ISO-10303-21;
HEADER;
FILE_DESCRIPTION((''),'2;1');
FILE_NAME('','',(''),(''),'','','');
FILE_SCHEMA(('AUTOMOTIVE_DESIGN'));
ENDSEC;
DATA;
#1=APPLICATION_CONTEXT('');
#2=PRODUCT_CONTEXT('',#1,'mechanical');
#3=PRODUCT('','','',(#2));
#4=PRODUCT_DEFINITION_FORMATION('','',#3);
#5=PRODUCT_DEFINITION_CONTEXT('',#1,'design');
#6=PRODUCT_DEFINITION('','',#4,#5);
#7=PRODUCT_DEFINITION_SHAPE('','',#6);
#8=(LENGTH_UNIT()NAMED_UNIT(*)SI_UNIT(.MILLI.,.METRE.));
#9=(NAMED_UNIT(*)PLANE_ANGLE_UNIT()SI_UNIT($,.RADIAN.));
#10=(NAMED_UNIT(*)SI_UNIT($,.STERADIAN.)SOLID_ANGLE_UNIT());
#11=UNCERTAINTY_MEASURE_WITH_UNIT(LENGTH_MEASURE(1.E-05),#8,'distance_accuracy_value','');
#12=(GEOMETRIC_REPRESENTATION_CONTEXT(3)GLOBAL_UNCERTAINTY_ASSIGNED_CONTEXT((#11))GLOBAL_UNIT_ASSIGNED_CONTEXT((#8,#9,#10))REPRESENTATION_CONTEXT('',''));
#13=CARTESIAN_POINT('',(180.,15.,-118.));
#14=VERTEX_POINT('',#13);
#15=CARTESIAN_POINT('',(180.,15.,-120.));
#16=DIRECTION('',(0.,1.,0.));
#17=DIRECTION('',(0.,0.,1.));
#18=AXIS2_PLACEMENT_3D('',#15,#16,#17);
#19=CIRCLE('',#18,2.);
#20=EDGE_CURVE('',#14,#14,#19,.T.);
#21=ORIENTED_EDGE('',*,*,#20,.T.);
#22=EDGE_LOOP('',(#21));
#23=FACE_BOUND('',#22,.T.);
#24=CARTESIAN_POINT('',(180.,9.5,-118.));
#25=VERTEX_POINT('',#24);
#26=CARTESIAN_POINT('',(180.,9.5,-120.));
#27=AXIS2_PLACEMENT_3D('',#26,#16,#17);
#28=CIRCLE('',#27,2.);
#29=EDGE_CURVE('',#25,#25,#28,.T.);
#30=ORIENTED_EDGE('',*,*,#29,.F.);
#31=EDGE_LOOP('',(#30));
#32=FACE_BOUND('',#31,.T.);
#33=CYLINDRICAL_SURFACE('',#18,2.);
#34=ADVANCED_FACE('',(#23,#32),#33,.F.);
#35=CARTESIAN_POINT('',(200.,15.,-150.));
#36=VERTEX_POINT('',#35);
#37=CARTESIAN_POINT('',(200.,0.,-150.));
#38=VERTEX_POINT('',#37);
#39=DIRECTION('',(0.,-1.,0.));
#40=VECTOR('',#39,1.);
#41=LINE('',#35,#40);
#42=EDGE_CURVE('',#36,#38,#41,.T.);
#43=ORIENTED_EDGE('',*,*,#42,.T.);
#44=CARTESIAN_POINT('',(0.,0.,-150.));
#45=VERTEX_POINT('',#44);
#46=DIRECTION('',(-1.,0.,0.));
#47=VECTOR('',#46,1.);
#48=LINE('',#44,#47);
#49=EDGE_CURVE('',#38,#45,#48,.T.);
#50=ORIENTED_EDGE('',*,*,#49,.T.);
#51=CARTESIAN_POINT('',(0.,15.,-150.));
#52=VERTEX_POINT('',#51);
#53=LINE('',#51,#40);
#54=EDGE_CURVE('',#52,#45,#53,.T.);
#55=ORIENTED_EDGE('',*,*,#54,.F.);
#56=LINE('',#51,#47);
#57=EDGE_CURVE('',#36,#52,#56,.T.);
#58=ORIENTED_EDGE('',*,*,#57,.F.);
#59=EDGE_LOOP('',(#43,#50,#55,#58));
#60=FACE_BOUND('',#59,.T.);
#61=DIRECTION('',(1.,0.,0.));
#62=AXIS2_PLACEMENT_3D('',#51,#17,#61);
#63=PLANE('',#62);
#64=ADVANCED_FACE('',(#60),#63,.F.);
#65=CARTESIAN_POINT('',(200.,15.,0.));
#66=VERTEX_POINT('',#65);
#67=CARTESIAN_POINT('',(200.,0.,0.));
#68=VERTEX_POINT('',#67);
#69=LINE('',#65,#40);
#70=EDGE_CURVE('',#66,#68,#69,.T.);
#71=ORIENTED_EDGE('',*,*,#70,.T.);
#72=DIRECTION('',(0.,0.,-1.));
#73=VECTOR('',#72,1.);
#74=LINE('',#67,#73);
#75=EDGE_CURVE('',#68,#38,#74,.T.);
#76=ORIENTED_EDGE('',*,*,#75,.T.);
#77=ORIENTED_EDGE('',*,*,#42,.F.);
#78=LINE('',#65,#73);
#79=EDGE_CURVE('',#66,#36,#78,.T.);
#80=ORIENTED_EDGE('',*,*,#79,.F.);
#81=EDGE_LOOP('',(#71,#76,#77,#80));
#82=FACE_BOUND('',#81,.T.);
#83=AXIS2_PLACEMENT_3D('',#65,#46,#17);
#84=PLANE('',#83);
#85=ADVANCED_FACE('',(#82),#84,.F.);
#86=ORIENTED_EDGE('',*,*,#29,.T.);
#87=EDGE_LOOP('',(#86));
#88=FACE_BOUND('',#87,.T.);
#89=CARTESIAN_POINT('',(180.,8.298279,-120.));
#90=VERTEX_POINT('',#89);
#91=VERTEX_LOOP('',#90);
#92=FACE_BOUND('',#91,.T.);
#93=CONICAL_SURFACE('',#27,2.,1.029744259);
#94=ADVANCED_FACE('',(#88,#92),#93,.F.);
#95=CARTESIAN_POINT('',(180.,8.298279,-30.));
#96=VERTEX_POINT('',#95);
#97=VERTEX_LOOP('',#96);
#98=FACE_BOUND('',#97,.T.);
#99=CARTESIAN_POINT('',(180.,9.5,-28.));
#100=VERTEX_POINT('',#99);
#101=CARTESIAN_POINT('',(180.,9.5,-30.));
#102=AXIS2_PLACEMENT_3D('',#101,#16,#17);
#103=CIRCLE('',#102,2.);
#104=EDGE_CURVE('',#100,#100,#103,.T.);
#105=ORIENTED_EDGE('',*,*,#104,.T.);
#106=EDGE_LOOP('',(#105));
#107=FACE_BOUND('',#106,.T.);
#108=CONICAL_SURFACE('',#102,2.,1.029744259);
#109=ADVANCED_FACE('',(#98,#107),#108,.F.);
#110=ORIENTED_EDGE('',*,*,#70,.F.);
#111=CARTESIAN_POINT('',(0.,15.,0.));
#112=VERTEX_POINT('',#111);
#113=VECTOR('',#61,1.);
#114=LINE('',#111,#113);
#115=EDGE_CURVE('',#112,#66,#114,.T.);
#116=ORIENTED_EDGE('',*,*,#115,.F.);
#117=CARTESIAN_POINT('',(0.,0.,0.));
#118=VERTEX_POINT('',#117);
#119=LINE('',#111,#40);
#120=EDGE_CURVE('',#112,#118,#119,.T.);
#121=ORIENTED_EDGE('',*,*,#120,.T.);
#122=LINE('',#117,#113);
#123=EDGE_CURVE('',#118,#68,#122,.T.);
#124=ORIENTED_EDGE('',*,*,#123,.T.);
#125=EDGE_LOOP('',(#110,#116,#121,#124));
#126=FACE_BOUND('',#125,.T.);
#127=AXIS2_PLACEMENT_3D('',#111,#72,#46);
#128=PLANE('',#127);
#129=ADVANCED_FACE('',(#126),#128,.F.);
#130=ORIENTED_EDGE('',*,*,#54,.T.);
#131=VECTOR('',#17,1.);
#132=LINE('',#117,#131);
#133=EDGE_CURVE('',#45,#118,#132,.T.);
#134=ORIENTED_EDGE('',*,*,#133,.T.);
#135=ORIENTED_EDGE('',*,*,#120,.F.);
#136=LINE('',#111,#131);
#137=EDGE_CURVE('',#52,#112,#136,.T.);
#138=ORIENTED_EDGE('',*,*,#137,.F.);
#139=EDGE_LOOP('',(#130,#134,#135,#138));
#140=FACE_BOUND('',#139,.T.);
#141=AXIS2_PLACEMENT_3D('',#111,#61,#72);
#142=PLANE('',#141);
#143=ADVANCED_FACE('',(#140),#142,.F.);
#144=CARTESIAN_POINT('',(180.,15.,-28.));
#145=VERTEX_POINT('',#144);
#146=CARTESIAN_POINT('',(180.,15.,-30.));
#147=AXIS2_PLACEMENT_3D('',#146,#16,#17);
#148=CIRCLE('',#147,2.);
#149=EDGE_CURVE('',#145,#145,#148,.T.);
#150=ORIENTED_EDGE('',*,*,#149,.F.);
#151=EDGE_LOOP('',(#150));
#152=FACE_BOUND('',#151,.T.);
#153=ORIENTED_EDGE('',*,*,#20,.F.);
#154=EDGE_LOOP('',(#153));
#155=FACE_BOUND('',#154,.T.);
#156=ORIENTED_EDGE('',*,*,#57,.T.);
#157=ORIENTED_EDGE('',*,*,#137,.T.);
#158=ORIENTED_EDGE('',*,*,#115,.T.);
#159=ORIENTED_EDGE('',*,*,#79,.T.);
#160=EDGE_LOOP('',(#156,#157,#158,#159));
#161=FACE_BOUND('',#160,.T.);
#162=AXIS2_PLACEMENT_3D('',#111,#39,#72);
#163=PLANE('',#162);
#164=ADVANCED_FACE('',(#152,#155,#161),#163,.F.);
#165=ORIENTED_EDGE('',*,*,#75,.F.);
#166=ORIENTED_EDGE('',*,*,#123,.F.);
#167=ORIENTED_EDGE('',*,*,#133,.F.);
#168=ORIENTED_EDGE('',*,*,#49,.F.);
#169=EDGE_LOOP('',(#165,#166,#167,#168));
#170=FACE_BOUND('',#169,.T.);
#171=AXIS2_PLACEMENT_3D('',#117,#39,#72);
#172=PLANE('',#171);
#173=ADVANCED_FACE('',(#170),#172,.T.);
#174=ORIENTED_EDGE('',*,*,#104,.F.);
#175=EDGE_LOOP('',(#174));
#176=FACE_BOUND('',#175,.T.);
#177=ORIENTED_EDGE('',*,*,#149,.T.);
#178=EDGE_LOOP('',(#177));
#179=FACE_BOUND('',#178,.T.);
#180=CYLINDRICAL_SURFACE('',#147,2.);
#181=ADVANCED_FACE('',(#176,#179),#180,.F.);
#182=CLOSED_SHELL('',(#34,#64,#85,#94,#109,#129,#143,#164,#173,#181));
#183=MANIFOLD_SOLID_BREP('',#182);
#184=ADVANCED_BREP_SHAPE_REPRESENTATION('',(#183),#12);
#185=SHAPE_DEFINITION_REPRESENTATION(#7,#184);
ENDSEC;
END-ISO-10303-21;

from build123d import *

# Parameters (mm, degrees)
SKETCH1_W                    = 200
SKETCH1_H                    = 150
BOSS_EXTRUDE1_DEPTH          = 15
F_4_0_4_DIAMETER_HOLE3_D     = 4
F_4_0_4_DIAMETER_HOLE3_DEPTH = 5.5
F_4_0_4_DIAMETER_HOLE3_TIP   = 1.201721238


with BuildPart() as part:
    # Sketch1 → Boss-Extrude1 (new body)
    with BuildSketch(Plane(origin=(0, 0, 0), x_dir=(1, 0, 0), z_dir=(0, 1, 0))):
        with Locations((100, 75)):
            Rectangle(SKETCH1_W, SKETCH1_H)
    extrude(amount=BOSS_EXTRUDE1_DEPTH)

    # Ø4.0 (4) Diameter Hole3
    with Locations(Plane(origin=(0, 15, 0), x_dir=(1, 0, 0), z_dir=(0, 1, 0))):
        with Locations((180, 120), (180, 30)):
            Hole(F_4_0_4_DIAMETER_HOLE3_D / 2, depth=F_4_0_4_DIAMETER_HOLE3_DEPTH)
            with Locations((0, 0, -(F_4_0_4_DIAMETER_HOLE3_DEPTH + F_4_0_4_DIAMETER_HOLE3_TIP / 2))):  # 118° drill point
                Cone(0, F_4_0_4_DIAMETER_HOLE3_D / 2, F_4_0_4_DIAMETER_HOLE3_TIP, mode=Mode.SUBTRACT)


solid = part.part
